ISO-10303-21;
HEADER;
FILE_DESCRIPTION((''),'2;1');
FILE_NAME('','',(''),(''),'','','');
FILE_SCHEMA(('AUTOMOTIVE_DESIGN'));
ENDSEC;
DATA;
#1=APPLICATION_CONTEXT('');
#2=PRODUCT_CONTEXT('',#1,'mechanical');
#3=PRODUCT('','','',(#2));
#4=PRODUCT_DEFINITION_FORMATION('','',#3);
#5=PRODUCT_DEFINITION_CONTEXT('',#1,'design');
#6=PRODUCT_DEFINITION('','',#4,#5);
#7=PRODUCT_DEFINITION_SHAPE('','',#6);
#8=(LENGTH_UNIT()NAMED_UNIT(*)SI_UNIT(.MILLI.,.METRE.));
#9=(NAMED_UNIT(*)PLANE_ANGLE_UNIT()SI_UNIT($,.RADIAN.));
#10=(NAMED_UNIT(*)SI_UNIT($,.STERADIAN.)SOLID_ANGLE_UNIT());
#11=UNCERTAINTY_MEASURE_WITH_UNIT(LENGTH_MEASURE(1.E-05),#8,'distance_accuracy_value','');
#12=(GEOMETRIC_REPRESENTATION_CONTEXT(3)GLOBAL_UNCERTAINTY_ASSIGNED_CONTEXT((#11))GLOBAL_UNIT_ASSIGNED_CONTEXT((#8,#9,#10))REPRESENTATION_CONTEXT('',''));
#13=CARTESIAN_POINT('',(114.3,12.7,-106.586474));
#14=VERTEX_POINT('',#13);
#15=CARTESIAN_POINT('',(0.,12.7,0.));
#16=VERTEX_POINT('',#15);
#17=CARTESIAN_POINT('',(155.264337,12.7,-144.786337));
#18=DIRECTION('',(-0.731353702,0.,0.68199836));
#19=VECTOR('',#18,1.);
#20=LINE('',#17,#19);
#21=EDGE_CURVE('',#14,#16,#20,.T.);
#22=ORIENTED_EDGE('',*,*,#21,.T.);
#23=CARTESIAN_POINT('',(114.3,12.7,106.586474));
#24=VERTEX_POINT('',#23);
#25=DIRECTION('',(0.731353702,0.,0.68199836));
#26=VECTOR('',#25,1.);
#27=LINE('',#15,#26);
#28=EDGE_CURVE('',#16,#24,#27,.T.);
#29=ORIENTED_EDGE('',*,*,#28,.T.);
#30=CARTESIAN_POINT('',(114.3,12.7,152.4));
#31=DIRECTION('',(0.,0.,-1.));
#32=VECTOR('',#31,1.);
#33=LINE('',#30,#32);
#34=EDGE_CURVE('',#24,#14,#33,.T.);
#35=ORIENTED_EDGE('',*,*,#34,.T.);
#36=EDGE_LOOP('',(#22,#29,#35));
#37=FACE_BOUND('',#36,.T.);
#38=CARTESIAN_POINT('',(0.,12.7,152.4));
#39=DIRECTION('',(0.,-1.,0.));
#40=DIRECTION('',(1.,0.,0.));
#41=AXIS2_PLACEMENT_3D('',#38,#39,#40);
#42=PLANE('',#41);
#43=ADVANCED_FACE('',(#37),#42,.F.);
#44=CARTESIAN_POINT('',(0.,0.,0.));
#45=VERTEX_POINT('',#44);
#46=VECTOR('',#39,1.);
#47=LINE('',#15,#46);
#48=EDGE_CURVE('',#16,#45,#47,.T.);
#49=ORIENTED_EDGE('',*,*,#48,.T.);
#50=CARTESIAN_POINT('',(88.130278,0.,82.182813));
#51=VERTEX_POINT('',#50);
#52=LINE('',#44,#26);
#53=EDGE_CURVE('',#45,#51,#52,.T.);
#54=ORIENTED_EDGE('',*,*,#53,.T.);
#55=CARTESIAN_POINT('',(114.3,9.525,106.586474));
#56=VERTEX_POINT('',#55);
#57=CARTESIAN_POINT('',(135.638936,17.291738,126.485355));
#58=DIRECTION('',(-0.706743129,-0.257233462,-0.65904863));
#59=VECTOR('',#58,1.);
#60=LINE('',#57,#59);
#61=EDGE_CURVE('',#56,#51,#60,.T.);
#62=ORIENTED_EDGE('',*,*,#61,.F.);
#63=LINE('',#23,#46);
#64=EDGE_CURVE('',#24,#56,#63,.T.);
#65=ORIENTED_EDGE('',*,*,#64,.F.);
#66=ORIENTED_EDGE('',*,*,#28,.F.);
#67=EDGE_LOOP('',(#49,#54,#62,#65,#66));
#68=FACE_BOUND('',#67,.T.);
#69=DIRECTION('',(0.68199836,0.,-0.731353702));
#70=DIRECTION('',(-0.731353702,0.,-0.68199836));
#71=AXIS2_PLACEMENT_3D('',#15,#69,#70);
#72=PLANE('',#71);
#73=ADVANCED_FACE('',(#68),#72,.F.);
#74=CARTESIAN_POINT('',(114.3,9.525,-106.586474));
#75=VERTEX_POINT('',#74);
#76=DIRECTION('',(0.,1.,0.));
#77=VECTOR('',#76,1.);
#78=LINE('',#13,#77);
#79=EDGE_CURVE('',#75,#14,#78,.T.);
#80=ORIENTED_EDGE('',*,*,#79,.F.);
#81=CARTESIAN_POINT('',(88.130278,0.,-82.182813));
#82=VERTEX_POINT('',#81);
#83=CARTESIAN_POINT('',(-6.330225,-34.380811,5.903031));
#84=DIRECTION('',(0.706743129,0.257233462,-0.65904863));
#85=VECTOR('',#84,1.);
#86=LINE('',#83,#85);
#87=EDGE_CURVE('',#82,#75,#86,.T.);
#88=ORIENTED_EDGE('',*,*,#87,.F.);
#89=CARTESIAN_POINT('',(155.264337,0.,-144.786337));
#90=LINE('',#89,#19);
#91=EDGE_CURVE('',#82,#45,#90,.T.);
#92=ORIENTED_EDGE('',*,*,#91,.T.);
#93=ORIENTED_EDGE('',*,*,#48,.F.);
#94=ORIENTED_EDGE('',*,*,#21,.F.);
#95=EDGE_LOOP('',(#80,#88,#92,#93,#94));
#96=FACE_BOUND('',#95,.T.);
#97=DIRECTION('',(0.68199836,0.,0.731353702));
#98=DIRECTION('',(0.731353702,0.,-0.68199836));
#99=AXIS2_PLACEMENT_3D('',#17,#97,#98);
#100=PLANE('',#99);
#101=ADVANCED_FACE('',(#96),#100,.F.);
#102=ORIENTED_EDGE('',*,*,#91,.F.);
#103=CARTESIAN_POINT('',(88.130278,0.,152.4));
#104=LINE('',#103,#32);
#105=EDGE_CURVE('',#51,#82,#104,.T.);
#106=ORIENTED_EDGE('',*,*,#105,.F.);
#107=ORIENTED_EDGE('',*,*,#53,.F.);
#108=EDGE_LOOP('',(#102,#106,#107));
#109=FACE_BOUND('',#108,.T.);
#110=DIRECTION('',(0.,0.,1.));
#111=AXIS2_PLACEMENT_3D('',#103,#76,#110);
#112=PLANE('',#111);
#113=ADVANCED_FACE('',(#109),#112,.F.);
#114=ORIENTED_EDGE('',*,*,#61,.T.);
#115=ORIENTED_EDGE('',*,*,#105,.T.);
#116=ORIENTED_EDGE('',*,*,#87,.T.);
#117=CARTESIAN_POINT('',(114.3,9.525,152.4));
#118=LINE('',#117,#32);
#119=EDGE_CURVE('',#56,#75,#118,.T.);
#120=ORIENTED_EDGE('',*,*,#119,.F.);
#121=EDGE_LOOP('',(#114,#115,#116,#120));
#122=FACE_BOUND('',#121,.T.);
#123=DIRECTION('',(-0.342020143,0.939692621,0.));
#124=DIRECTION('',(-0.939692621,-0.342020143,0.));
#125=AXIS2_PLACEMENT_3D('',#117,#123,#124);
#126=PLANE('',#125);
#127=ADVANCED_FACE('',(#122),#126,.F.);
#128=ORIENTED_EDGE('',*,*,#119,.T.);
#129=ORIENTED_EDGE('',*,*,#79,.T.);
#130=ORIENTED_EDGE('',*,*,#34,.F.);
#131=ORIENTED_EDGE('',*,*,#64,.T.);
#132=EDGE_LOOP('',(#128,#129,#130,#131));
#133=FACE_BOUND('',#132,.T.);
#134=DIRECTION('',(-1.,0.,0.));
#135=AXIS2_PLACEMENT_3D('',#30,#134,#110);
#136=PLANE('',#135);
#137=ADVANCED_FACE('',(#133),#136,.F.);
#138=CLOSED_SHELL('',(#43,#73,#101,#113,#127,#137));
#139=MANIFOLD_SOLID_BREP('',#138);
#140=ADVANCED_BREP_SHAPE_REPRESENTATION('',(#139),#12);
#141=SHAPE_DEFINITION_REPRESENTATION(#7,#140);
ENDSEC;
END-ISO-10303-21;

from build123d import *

# Parameters (mm, degrees)
BOSS_EXTRUDE1_DEPTH = 152.4
SKETCH2_OUTSIDE_W   = 181.454
SKETCH2_OUTSIDE_H   = 371.954
CUT_EXTRUDE2_DEPTH  = 13.7


with BuildPart() as part:
    # Sketch1 → Boss-Extrude1 (new body, symmetric)
    with BuildSketch(Plane.XY):
        Polygon((0, 0), (0, 12.7), (114.3, 12.7), (114.3, 9.525), (88.13027758, 0), align=None)
    extrude(amount=BOSS_EXTRUDE1_DEPTH, both=True)

    # Sketch2 outside → Cut-Extrude2 (cut, through all)
    with BuildSketch(Plane(origin=(0, 0, 0), x_dir=(1, 0, 0), z_dir=(0, 1, 0))):
        with Locations((57.15, 0)):
            Rectangle(SKETCH2_OUTSIDE_W, SKETCH2_OUTSIDE_H)
        Polygon((0, 0), (155.264337474, -144.786337034), (155.264337474, 144.786337034), align=None, mode=Mode.SUBTRACT)
    extrude(amount=CUT_EXTRUDE2_DEPTH, mode=Mode.SUBTRACT)


solid = part.part
